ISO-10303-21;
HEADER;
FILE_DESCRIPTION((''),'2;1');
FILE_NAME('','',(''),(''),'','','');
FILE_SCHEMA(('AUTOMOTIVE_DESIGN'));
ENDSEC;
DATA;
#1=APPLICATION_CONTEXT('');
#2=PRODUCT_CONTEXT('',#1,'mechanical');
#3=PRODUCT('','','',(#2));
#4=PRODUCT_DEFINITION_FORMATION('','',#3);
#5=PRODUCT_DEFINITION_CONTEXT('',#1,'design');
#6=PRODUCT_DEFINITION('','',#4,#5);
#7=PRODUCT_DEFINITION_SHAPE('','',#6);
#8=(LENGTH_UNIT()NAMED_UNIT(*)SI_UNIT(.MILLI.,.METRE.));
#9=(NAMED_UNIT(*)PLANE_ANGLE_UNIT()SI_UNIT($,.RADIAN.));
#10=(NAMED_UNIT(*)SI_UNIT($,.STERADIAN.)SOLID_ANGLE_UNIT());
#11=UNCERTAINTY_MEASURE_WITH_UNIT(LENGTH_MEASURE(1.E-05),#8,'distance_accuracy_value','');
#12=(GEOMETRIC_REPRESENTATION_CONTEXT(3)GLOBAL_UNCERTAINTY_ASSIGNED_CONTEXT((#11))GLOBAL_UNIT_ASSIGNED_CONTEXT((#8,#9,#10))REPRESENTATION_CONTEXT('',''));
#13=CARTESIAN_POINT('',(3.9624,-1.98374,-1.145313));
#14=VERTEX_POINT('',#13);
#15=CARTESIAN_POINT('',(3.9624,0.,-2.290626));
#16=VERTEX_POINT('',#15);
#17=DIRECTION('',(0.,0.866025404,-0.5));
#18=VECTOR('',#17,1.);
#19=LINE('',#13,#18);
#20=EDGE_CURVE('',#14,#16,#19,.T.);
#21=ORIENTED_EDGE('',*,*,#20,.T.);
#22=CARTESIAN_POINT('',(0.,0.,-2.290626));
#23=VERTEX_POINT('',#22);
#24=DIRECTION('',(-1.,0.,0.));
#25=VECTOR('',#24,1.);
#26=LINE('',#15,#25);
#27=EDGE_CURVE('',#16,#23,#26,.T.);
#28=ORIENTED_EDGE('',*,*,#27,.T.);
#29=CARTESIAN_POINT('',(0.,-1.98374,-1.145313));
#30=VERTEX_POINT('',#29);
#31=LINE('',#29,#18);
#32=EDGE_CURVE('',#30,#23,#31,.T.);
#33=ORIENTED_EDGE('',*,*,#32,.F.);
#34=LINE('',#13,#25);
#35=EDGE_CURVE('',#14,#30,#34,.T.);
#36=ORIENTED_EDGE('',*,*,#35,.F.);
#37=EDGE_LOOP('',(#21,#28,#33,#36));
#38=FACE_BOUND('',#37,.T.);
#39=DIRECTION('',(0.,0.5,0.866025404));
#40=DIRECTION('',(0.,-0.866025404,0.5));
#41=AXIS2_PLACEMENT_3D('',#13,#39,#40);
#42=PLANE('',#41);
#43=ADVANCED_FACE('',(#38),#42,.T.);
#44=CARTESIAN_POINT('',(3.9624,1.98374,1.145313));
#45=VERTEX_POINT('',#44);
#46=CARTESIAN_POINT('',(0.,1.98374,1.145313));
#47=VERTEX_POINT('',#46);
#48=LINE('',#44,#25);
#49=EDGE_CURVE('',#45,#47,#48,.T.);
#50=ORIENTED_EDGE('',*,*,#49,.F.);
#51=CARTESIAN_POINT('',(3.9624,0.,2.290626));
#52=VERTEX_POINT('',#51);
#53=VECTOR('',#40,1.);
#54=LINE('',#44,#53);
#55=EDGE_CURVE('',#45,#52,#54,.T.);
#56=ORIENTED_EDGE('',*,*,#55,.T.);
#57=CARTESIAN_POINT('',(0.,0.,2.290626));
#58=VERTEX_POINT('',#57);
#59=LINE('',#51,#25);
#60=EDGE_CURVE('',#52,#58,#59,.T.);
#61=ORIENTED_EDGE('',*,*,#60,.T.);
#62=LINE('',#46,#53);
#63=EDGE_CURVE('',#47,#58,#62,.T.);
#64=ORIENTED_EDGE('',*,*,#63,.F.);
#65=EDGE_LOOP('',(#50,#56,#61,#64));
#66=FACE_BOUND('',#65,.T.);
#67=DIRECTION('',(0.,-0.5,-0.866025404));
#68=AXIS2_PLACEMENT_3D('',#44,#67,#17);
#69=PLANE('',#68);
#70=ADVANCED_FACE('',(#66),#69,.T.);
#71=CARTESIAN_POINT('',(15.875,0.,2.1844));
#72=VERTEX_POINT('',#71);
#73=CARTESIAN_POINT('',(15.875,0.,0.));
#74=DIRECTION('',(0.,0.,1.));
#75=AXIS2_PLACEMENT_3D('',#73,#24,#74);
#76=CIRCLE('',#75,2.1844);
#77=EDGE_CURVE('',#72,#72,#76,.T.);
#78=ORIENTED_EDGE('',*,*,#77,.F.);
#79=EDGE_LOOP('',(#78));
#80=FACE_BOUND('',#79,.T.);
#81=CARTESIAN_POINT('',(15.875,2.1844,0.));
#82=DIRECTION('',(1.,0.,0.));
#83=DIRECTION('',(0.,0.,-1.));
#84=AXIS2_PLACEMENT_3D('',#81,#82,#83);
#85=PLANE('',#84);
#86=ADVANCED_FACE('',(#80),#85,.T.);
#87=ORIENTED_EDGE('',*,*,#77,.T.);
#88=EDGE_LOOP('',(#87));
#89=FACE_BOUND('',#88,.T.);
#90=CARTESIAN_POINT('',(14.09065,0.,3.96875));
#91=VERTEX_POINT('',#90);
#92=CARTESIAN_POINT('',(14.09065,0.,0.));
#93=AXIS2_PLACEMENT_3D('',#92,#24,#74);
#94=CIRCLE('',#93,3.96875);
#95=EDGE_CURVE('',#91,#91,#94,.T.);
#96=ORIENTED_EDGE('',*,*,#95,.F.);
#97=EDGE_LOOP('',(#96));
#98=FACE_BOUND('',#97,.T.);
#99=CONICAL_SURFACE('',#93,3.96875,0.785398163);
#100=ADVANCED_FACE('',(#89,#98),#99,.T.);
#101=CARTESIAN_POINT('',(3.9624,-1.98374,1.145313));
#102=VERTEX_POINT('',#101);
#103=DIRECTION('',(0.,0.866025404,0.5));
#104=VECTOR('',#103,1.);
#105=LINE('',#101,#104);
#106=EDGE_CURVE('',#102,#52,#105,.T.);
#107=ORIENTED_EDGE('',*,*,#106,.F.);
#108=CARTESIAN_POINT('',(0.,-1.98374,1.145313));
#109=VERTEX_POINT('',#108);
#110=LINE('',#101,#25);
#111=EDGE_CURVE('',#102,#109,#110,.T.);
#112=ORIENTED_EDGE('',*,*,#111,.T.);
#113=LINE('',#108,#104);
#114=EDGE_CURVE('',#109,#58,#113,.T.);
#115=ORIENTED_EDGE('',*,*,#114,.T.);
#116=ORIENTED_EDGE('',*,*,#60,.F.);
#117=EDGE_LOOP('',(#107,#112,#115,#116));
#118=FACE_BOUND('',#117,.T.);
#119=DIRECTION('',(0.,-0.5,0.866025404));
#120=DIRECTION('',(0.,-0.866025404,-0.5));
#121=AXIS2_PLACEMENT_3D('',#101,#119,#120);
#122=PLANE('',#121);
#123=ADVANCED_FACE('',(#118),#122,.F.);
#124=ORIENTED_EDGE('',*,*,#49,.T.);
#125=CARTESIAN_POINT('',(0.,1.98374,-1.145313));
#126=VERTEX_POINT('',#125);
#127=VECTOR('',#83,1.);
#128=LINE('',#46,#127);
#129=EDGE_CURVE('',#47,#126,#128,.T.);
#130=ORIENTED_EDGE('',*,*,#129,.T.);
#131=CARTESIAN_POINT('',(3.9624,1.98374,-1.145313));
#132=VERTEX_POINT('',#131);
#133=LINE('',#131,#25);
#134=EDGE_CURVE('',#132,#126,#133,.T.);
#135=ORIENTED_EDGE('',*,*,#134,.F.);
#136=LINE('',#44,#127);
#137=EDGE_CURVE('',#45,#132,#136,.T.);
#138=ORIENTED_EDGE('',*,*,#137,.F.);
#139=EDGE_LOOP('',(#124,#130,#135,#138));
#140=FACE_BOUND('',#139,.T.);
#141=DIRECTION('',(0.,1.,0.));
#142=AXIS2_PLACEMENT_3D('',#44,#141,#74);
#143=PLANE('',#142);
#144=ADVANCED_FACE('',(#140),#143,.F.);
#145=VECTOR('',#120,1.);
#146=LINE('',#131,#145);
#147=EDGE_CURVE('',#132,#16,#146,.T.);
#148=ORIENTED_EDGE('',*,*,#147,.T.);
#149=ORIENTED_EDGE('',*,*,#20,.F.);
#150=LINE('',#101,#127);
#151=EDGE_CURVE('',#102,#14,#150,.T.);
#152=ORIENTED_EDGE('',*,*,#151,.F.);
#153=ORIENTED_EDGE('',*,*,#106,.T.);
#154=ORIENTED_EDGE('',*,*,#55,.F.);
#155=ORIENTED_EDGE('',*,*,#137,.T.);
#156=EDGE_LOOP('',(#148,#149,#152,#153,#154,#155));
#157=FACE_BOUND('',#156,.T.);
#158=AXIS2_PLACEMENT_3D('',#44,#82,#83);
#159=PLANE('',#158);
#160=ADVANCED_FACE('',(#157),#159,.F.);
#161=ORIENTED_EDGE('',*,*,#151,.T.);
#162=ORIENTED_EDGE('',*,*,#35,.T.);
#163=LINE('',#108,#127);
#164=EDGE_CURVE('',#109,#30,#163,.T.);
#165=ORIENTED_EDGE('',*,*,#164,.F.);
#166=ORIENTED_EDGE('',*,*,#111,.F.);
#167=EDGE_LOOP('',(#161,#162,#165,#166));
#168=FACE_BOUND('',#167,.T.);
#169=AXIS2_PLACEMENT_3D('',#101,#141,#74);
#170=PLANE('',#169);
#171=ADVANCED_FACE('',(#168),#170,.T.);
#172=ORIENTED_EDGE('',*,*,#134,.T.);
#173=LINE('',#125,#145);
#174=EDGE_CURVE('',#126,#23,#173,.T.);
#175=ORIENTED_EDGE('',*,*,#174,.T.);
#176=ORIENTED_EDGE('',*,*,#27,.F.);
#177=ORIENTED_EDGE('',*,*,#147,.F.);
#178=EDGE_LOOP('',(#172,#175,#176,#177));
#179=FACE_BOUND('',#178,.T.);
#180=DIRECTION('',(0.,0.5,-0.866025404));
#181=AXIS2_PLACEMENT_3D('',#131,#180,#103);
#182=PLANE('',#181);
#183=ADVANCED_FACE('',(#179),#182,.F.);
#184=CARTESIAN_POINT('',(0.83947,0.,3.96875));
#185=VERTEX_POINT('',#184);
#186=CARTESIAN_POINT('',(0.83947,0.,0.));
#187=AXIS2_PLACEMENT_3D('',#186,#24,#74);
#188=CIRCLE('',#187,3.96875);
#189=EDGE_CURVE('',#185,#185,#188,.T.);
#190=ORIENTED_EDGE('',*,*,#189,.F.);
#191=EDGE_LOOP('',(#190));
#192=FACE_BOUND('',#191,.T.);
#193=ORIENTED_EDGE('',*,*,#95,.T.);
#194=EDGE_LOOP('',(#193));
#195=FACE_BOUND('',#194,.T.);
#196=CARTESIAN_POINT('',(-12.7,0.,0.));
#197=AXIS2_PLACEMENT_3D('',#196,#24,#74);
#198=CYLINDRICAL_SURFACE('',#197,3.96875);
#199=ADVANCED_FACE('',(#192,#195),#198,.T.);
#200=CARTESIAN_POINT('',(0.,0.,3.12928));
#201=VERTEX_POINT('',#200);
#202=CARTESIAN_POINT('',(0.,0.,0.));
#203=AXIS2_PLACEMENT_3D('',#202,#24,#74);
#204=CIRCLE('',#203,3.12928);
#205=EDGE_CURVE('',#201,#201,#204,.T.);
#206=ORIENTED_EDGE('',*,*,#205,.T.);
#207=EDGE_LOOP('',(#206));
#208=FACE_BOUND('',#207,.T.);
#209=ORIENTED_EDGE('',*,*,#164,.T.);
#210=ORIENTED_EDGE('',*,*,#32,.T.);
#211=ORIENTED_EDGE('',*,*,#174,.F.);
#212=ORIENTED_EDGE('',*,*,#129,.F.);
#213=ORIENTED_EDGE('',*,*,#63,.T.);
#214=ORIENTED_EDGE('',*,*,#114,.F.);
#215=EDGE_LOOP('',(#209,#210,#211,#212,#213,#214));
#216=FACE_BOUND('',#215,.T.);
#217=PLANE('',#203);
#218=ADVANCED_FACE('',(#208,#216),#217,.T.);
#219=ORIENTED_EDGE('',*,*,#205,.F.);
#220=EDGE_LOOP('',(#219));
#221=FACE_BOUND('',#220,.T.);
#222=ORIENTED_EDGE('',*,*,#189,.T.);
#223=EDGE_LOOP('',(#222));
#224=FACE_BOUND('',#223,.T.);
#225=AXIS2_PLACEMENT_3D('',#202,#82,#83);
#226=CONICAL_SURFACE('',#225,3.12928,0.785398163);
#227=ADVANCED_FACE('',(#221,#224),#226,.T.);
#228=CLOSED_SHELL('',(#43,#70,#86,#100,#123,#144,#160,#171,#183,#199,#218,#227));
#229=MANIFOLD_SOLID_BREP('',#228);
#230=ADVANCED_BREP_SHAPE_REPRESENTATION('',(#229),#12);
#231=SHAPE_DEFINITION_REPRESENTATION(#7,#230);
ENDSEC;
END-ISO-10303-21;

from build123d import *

# Parameters (mm, degrees)
HEX_2_DEPTH = 3.9624


with BuildPart() as part:
    # BodySke → BaseBody (revolve)
    with BuildSketch(Plane.XY, mode=Mode.PRIVATE) as basebody_sk:
        Polygon((0, 0), (0, 3.12928), (0.83947, 3.96875), (14.09065, 3.96875), (15.875, 2.1844), (15.875, 0), align=None)
    revolve(basebody_sk.sketch.rotate(Axis((-12.7, 0, 0), (1, 0, 0)), 90), axis=Axis((-12.7, 0, 0), (1, 0, 0)))

    # Sketch2 → Hex 2 (cut)
    with BuildSketch(Plane.ZY):
        Polygon((1.145312823, 1.98374), (-1.145312823, 1.98374), (-2.290625646, 0), (-1.145312823, -1.98374), (1.145312823, -1.98374), (2.290625646, 0), align=None)
    extrude(amount=-HEX_2_DEPTH, mode=Mode.SUBTRACT)


solid = part.part
